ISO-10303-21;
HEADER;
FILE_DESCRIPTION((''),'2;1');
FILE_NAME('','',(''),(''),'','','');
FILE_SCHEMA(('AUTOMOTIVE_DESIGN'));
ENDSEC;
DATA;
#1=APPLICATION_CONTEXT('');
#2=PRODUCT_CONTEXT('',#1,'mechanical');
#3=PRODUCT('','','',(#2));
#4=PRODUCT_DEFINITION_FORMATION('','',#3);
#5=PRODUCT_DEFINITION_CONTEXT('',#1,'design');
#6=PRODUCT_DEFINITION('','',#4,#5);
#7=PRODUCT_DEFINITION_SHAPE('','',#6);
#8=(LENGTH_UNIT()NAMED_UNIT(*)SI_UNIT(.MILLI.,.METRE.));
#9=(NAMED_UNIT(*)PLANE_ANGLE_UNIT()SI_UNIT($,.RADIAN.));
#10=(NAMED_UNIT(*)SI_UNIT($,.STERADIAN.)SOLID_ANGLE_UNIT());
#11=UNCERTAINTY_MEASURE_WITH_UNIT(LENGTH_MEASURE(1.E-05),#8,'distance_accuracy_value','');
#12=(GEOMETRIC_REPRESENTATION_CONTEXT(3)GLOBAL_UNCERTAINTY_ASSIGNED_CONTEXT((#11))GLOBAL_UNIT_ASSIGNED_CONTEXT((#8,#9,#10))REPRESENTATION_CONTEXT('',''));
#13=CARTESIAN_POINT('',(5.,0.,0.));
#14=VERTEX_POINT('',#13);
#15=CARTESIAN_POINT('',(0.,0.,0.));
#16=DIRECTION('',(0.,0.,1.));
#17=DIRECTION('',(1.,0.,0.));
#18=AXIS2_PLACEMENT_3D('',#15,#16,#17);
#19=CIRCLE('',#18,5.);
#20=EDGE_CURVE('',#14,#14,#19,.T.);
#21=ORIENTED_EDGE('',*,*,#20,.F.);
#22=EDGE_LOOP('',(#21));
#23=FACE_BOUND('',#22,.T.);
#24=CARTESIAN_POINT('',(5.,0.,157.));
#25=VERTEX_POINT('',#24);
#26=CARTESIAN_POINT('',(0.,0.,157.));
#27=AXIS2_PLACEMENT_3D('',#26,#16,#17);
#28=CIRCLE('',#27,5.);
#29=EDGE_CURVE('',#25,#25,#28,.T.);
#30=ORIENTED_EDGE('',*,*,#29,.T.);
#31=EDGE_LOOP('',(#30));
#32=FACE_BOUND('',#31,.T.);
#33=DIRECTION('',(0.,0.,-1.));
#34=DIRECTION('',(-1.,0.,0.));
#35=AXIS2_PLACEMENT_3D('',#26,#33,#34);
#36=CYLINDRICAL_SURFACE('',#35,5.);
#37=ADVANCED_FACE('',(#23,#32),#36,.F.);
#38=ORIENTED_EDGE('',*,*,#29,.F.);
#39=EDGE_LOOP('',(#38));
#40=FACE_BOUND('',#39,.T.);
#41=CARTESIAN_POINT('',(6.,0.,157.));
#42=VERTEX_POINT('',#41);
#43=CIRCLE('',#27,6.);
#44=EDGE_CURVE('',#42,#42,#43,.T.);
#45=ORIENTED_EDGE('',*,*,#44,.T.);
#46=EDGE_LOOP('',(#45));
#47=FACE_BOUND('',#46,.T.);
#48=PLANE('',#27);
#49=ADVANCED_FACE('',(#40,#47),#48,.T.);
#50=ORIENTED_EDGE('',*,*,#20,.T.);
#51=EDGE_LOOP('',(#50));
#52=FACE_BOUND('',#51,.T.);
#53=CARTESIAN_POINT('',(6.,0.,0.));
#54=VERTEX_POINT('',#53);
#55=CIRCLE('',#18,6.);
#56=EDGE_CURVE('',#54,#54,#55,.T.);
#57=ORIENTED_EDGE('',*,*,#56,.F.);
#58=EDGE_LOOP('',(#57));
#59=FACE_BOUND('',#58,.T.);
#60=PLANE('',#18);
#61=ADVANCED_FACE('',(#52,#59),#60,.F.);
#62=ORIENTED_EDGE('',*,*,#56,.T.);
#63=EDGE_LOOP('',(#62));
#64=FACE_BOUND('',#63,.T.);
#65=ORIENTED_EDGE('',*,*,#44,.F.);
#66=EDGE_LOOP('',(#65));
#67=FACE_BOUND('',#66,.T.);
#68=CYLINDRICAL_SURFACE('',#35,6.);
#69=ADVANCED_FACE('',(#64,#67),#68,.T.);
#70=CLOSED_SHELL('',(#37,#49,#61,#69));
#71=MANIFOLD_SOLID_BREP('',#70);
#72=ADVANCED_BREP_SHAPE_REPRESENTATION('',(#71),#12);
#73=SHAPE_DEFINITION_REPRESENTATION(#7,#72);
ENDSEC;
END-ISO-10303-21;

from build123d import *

# Parameters (mm, degrees)
SKETCH1_R           = 6
SKETCH1_R_2         = 5
BOSS_EXTRUDE1_DEPTH = 157


with BuildPart() as part:
    # Sketch1 → Boss-Extrude1 (new body)
    with BuildSketch(Plane.XY):
        Circle(SKETCH1_R)
        Circle(SKETCH1_R_2, mode=Mode.SUBTRACT)
    extrude(amount=BOSS_EXTRUDE1_DEPTH)


solid = part.part
